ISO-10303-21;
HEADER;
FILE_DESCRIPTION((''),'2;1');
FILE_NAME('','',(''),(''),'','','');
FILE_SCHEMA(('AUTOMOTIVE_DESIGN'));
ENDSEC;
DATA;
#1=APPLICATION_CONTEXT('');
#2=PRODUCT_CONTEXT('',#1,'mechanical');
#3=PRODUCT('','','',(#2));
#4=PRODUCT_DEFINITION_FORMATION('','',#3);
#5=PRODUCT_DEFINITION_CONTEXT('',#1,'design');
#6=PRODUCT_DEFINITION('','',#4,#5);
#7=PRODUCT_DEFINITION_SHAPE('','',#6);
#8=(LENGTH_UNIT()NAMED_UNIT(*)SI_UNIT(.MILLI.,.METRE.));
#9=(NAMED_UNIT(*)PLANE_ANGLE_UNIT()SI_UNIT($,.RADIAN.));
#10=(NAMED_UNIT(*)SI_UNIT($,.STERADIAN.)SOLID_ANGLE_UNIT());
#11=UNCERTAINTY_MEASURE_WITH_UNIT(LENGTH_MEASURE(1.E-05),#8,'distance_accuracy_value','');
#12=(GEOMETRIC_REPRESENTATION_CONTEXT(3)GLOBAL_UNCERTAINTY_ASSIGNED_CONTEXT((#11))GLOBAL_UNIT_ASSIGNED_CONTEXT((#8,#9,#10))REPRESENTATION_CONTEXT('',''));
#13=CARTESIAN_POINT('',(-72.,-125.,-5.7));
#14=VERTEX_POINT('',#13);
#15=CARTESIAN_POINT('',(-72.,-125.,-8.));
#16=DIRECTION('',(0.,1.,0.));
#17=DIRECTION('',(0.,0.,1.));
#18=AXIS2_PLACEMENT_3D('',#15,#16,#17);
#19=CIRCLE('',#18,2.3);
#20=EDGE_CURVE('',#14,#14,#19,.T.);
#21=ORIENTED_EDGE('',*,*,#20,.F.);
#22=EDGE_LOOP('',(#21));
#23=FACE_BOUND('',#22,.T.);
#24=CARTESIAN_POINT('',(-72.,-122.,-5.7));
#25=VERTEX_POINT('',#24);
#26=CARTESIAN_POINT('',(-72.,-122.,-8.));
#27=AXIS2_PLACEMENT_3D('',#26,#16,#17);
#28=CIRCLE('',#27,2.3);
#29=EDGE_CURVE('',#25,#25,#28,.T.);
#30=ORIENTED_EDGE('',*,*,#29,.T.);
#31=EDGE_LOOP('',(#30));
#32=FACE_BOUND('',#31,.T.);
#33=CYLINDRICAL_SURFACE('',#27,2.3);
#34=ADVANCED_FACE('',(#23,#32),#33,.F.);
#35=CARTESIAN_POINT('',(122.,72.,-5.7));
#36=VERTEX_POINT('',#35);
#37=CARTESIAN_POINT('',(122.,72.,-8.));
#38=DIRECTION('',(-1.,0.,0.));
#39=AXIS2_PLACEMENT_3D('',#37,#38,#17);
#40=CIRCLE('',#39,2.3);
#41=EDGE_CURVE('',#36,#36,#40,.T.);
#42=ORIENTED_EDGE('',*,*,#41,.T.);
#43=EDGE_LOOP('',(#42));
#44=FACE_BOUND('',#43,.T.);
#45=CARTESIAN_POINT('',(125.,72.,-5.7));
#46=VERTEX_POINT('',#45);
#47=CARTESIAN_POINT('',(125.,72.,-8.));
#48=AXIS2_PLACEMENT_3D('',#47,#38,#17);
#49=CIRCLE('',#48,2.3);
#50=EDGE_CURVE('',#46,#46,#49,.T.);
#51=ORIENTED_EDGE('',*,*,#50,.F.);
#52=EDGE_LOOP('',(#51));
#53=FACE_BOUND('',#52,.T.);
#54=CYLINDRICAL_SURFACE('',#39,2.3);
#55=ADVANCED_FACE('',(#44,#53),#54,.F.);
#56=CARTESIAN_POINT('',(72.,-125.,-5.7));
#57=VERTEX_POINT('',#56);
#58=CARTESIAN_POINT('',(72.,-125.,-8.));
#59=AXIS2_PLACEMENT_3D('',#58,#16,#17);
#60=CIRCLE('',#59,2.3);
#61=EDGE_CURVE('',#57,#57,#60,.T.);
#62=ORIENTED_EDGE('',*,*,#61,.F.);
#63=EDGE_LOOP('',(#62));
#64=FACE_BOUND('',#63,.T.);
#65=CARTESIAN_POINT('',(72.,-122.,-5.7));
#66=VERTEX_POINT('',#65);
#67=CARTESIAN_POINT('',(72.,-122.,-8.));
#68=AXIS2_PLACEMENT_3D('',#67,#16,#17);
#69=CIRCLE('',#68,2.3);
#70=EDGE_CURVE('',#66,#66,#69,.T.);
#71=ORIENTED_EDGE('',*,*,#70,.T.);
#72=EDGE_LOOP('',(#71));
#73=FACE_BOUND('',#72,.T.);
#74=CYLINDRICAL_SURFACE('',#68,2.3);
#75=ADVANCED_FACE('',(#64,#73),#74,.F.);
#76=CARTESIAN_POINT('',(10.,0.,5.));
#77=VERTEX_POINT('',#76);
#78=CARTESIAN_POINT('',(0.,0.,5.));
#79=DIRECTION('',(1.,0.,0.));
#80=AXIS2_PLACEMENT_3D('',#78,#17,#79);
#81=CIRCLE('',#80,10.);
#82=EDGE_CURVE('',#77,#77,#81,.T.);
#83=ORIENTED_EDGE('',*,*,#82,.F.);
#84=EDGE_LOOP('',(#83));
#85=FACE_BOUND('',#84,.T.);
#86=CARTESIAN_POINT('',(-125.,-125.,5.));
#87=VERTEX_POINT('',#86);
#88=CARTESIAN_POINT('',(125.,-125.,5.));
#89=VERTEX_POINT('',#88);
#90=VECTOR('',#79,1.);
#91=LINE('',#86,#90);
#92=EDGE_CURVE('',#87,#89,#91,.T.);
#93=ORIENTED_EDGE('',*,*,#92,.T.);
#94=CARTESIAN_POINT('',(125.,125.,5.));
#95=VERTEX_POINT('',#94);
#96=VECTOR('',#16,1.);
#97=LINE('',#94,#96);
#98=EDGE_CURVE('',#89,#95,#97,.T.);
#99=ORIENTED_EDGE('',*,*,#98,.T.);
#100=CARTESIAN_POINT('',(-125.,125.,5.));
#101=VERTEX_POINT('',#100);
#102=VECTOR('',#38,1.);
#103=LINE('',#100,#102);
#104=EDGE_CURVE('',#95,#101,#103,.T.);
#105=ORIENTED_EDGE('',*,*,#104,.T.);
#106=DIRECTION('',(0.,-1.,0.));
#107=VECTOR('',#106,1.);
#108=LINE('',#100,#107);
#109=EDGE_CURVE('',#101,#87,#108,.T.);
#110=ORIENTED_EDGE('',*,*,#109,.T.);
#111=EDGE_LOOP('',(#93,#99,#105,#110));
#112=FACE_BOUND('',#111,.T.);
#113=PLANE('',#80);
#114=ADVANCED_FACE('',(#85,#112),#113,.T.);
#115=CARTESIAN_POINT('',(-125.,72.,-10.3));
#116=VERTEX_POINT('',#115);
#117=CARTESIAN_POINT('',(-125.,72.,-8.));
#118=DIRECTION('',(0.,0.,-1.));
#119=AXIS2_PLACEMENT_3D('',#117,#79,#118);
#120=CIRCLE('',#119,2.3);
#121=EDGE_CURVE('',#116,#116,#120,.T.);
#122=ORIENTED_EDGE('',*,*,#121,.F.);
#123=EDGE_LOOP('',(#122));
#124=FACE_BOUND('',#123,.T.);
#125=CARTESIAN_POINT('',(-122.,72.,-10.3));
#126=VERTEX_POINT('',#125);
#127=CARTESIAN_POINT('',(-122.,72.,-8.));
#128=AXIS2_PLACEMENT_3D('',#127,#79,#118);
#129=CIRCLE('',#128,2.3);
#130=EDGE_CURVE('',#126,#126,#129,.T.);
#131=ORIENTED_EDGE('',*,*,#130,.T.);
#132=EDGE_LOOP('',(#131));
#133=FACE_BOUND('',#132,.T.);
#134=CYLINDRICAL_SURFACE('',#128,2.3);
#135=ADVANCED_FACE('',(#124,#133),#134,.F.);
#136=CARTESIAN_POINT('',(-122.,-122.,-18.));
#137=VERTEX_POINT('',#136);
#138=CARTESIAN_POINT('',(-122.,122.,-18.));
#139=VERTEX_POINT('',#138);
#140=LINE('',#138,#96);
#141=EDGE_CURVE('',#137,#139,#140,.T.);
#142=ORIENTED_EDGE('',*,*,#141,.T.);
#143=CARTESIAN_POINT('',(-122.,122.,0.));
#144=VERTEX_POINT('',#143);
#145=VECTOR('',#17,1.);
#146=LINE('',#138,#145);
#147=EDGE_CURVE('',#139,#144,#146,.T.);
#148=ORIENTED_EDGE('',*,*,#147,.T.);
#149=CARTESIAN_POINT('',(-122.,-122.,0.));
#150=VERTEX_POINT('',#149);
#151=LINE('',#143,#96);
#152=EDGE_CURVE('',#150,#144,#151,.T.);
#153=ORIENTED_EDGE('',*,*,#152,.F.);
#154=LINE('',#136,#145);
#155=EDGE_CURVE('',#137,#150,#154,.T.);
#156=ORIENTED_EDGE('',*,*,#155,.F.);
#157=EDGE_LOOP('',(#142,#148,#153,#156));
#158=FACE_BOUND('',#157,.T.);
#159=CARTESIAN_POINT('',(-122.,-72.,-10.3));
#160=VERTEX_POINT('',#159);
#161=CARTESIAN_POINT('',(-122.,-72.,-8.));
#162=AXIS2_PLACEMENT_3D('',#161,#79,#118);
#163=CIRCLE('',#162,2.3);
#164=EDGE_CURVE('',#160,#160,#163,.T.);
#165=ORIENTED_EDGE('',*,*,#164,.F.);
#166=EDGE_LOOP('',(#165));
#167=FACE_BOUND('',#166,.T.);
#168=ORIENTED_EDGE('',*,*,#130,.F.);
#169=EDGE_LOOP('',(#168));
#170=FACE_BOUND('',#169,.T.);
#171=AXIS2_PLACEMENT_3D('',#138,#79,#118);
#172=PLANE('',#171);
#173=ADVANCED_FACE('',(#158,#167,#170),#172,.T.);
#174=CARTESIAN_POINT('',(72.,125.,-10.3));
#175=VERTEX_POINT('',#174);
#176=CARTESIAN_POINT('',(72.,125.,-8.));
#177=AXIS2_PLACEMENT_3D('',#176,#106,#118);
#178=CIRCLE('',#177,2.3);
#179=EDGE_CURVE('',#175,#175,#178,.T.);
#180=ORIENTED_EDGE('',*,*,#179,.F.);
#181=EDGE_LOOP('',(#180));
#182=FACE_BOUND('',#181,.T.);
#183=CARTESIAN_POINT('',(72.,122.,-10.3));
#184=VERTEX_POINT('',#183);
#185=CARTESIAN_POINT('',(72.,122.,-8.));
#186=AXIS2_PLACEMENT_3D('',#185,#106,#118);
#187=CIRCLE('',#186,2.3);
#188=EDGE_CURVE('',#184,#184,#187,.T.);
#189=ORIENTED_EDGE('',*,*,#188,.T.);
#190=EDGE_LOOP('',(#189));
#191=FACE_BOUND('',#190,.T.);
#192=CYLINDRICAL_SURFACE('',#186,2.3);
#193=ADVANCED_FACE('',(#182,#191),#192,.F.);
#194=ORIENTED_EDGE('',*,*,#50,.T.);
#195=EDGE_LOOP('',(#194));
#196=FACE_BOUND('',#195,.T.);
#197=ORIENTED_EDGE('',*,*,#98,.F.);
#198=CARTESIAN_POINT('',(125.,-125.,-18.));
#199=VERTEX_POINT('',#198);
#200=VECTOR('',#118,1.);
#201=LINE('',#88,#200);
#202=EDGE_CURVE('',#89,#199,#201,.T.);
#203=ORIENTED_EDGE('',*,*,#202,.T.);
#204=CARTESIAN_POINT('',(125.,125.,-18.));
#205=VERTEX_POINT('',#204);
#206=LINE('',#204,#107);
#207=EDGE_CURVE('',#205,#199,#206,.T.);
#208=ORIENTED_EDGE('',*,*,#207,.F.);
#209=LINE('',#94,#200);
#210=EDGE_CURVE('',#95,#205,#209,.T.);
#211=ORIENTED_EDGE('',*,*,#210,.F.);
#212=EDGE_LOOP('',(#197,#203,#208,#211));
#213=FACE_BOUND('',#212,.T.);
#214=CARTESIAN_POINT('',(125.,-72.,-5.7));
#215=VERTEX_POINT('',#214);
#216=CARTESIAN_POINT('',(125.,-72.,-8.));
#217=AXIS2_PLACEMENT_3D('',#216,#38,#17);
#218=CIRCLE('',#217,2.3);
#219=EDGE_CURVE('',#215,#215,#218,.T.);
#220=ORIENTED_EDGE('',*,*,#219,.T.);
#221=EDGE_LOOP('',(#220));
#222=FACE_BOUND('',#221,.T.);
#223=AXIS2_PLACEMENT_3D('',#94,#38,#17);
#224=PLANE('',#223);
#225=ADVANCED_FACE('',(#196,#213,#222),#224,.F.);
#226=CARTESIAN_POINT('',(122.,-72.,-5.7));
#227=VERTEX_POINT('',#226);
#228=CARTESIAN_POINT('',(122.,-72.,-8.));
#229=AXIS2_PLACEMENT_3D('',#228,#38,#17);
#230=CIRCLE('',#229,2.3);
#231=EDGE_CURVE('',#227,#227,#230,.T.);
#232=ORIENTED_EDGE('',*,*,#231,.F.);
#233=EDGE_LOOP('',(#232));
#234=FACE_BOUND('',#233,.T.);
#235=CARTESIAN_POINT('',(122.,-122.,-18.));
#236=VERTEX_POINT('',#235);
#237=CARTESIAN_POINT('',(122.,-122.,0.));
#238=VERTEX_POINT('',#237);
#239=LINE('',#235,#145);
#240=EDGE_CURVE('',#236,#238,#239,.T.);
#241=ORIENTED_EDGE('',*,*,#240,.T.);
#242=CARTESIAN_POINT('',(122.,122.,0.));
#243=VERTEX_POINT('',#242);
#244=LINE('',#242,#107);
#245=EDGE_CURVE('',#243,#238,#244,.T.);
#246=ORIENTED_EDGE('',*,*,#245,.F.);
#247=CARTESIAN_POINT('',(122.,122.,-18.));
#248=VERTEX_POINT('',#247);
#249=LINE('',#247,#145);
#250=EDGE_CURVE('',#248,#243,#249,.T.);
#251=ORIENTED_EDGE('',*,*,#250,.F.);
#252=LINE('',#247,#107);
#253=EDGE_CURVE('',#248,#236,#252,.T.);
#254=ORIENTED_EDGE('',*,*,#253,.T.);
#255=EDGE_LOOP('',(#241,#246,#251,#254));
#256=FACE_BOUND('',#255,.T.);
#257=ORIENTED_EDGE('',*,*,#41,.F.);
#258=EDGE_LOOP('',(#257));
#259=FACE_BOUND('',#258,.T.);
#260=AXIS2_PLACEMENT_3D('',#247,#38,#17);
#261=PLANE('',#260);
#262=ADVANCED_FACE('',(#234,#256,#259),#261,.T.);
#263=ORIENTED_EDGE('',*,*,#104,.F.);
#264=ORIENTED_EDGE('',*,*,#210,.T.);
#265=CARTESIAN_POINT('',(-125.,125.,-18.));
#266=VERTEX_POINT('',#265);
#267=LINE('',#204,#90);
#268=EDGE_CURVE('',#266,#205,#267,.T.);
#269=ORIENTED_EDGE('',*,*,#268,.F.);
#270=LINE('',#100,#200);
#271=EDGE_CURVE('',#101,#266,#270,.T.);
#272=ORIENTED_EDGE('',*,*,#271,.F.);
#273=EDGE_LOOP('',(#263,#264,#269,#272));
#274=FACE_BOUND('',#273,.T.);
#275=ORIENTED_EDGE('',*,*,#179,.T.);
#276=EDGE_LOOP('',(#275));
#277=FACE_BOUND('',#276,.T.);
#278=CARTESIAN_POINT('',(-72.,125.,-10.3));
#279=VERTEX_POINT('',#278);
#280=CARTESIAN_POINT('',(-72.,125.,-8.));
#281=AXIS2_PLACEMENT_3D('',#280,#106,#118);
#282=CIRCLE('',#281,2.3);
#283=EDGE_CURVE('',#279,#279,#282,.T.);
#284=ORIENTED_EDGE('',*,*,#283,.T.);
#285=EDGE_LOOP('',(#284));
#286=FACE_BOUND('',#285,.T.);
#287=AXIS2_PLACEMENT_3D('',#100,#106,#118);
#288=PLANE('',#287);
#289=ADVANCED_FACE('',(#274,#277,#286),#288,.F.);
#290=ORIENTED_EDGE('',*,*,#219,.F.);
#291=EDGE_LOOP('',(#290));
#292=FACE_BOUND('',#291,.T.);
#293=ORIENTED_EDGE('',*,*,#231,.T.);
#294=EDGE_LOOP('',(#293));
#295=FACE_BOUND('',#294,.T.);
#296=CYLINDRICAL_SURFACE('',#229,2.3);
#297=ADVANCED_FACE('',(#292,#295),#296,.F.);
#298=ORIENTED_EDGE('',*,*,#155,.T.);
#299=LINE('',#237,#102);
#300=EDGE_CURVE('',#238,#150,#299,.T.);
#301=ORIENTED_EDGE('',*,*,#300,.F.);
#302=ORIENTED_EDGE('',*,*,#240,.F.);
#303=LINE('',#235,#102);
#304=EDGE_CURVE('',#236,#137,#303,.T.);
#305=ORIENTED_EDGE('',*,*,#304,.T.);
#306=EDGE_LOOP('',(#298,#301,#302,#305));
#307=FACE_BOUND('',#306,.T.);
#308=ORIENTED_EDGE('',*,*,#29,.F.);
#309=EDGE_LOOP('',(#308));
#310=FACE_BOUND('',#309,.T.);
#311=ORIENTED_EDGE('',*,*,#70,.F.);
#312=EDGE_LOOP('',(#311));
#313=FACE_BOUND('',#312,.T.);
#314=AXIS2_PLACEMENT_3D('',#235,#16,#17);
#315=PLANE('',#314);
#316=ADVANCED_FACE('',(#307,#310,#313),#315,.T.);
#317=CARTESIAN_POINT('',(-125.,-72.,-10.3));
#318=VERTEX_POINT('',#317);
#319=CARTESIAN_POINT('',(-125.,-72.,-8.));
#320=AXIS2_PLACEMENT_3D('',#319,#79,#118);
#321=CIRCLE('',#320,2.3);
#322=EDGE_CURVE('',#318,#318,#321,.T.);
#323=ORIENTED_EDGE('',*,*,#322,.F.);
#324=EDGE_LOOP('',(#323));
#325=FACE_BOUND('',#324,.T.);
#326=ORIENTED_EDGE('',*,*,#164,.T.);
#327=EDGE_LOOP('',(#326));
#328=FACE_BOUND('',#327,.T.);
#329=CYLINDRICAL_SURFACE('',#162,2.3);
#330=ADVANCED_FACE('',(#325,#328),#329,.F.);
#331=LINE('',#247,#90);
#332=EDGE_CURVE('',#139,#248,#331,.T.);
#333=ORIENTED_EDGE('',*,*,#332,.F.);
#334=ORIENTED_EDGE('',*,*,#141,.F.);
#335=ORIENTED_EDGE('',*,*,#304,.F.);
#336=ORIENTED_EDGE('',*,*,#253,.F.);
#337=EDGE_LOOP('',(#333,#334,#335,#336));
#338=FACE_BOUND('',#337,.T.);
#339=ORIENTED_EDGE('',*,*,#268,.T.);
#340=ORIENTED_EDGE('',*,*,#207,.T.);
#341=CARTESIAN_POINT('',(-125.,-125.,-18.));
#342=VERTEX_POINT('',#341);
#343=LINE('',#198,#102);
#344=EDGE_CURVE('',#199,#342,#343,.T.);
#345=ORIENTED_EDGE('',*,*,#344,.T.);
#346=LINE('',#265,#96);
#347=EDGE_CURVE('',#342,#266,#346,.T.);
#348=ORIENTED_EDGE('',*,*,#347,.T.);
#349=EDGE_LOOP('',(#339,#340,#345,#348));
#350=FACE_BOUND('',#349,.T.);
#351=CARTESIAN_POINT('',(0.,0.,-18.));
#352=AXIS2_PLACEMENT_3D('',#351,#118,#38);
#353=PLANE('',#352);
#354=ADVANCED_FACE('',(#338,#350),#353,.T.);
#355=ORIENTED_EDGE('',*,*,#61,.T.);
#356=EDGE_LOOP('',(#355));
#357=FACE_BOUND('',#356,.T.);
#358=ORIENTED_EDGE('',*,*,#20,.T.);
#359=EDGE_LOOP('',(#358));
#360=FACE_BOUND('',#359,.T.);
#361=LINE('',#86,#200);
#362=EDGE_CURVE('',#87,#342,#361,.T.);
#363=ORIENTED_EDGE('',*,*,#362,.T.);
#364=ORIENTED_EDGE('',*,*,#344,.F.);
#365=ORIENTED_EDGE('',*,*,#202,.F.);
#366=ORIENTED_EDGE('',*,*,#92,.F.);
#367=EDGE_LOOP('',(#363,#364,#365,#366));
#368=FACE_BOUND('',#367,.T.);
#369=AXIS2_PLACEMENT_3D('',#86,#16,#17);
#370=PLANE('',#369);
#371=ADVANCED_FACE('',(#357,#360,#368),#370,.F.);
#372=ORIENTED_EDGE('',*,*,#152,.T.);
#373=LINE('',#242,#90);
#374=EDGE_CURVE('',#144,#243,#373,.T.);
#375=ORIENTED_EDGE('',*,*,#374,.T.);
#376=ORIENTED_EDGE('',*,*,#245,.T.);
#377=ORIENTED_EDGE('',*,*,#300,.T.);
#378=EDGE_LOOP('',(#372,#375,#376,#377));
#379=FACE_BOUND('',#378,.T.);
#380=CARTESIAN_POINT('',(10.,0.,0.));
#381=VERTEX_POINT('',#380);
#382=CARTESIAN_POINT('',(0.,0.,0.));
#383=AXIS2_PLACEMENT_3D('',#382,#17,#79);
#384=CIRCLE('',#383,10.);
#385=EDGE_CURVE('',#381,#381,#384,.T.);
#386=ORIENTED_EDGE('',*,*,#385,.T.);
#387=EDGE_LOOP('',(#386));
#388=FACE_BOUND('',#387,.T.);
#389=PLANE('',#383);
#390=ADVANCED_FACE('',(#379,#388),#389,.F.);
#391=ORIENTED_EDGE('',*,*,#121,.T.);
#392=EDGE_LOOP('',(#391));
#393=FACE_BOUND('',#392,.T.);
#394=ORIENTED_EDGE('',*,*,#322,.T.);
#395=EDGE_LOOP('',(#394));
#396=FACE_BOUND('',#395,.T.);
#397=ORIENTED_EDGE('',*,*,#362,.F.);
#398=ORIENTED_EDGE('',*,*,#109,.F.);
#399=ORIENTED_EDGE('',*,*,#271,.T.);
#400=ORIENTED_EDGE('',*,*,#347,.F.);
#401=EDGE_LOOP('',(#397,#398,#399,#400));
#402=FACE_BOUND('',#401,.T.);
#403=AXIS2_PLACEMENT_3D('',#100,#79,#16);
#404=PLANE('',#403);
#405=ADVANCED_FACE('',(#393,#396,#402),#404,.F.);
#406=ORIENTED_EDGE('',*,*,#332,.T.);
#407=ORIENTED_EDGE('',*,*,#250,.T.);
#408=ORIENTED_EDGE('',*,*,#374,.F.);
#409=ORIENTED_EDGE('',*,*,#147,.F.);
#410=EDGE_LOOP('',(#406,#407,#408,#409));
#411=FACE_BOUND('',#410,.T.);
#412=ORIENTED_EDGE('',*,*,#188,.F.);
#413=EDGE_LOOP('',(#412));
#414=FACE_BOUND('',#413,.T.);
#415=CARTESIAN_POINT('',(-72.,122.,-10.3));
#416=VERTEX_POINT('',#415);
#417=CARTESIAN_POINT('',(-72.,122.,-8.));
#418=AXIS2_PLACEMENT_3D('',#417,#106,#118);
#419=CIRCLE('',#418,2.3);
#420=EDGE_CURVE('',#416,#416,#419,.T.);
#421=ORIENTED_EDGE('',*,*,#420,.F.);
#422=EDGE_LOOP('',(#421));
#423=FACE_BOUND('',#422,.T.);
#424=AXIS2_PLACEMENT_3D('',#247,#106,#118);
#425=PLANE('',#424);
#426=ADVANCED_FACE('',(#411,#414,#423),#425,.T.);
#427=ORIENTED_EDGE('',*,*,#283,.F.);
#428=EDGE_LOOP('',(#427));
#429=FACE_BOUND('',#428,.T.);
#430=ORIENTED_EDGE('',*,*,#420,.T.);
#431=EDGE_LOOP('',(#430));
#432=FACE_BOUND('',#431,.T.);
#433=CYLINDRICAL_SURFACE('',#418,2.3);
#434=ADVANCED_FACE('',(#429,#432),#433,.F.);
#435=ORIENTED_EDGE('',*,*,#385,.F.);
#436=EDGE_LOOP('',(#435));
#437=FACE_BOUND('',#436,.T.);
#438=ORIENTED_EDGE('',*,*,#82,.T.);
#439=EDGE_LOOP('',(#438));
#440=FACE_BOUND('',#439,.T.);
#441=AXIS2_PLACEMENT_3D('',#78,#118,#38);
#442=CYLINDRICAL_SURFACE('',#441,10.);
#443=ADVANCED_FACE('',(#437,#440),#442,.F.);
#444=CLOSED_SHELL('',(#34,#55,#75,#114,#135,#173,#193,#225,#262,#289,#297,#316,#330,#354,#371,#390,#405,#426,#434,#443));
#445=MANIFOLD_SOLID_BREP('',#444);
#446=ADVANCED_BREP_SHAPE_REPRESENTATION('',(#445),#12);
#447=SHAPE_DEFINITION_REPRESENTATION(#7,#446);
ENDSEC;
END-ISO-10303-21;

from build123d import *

# Parameters (mm, degrees)
SKETCH_1_W               = 250
SKETCH_1_H               = 250
SKETCH_1_R               = 10
EXTRUDE_1_DEPTH          = 5
SKETCH_3_W               = 250
SKETCH_3_H               = 250
SKETCH_3_W_2             = 244
SKETCH_3_H_2             = 244
EXTRUDE_2_DEPTH          = 18
HOLE_WIZARD_M4_1_D       = 4.6
HOLE_WIZARD_M4_1_DEPTH   = 3
PATTERN_CIRCULAR_1_COUNT = 4


with BuildPart() as part:
    # 스케치1 → 보스-돌출1 (new body)
    with BuildSketch(Plane.XY):
        Rectangle(SKETCH_1_W, SKETCH_1_H)
        Circle(SKETCH_1_R, mode=Mode.SUBTRACT)
    extrude(amount=EXTRUDE_1_DEPTH)

    # 스케치3 → 보스-돌출2 (add)
    with BuildSketch(Plane(origin=(0, 0, 0), x_dir=(-1, 0, 0), z_dir=(0, 0, -1))):
        Rectangle(SKETCH_3_W, SKETCH_3_H)
        Rectangle(SKETCH_3_W_2, SKETCH_3_H_2, mode=Mode.SUBTRACT)
    extrude(amount=EXTRUDE_2_DEPTH)

    # M4 여유 구멍1
    with Locations(Plane.ZY.offset(-122)):
        with Locations((-8, 72), (-8, -72)):
            hole_wizard_m4_1 = Hole(HOLE_WIZARD_M4_1_D / 2, depth=HOLE_WIZARD_M4_1_DEPTH)

    # 원형 패턴1: M4 여유 구멍1 ×4 about axis
    pattern_circular_1_axis = Axis((0, 0, 0), (0, 0, 1))
    for i in range(1, PATTERN_CIRCULAR_1_COUNT):
        add(hole_wizard_m4_1.rotate(pattern_circular_1_axis, i * 360 / PATTERN_CIRCULAR_1_COUNT), mode=Mode.SUBTRACT)


solid = part.part
